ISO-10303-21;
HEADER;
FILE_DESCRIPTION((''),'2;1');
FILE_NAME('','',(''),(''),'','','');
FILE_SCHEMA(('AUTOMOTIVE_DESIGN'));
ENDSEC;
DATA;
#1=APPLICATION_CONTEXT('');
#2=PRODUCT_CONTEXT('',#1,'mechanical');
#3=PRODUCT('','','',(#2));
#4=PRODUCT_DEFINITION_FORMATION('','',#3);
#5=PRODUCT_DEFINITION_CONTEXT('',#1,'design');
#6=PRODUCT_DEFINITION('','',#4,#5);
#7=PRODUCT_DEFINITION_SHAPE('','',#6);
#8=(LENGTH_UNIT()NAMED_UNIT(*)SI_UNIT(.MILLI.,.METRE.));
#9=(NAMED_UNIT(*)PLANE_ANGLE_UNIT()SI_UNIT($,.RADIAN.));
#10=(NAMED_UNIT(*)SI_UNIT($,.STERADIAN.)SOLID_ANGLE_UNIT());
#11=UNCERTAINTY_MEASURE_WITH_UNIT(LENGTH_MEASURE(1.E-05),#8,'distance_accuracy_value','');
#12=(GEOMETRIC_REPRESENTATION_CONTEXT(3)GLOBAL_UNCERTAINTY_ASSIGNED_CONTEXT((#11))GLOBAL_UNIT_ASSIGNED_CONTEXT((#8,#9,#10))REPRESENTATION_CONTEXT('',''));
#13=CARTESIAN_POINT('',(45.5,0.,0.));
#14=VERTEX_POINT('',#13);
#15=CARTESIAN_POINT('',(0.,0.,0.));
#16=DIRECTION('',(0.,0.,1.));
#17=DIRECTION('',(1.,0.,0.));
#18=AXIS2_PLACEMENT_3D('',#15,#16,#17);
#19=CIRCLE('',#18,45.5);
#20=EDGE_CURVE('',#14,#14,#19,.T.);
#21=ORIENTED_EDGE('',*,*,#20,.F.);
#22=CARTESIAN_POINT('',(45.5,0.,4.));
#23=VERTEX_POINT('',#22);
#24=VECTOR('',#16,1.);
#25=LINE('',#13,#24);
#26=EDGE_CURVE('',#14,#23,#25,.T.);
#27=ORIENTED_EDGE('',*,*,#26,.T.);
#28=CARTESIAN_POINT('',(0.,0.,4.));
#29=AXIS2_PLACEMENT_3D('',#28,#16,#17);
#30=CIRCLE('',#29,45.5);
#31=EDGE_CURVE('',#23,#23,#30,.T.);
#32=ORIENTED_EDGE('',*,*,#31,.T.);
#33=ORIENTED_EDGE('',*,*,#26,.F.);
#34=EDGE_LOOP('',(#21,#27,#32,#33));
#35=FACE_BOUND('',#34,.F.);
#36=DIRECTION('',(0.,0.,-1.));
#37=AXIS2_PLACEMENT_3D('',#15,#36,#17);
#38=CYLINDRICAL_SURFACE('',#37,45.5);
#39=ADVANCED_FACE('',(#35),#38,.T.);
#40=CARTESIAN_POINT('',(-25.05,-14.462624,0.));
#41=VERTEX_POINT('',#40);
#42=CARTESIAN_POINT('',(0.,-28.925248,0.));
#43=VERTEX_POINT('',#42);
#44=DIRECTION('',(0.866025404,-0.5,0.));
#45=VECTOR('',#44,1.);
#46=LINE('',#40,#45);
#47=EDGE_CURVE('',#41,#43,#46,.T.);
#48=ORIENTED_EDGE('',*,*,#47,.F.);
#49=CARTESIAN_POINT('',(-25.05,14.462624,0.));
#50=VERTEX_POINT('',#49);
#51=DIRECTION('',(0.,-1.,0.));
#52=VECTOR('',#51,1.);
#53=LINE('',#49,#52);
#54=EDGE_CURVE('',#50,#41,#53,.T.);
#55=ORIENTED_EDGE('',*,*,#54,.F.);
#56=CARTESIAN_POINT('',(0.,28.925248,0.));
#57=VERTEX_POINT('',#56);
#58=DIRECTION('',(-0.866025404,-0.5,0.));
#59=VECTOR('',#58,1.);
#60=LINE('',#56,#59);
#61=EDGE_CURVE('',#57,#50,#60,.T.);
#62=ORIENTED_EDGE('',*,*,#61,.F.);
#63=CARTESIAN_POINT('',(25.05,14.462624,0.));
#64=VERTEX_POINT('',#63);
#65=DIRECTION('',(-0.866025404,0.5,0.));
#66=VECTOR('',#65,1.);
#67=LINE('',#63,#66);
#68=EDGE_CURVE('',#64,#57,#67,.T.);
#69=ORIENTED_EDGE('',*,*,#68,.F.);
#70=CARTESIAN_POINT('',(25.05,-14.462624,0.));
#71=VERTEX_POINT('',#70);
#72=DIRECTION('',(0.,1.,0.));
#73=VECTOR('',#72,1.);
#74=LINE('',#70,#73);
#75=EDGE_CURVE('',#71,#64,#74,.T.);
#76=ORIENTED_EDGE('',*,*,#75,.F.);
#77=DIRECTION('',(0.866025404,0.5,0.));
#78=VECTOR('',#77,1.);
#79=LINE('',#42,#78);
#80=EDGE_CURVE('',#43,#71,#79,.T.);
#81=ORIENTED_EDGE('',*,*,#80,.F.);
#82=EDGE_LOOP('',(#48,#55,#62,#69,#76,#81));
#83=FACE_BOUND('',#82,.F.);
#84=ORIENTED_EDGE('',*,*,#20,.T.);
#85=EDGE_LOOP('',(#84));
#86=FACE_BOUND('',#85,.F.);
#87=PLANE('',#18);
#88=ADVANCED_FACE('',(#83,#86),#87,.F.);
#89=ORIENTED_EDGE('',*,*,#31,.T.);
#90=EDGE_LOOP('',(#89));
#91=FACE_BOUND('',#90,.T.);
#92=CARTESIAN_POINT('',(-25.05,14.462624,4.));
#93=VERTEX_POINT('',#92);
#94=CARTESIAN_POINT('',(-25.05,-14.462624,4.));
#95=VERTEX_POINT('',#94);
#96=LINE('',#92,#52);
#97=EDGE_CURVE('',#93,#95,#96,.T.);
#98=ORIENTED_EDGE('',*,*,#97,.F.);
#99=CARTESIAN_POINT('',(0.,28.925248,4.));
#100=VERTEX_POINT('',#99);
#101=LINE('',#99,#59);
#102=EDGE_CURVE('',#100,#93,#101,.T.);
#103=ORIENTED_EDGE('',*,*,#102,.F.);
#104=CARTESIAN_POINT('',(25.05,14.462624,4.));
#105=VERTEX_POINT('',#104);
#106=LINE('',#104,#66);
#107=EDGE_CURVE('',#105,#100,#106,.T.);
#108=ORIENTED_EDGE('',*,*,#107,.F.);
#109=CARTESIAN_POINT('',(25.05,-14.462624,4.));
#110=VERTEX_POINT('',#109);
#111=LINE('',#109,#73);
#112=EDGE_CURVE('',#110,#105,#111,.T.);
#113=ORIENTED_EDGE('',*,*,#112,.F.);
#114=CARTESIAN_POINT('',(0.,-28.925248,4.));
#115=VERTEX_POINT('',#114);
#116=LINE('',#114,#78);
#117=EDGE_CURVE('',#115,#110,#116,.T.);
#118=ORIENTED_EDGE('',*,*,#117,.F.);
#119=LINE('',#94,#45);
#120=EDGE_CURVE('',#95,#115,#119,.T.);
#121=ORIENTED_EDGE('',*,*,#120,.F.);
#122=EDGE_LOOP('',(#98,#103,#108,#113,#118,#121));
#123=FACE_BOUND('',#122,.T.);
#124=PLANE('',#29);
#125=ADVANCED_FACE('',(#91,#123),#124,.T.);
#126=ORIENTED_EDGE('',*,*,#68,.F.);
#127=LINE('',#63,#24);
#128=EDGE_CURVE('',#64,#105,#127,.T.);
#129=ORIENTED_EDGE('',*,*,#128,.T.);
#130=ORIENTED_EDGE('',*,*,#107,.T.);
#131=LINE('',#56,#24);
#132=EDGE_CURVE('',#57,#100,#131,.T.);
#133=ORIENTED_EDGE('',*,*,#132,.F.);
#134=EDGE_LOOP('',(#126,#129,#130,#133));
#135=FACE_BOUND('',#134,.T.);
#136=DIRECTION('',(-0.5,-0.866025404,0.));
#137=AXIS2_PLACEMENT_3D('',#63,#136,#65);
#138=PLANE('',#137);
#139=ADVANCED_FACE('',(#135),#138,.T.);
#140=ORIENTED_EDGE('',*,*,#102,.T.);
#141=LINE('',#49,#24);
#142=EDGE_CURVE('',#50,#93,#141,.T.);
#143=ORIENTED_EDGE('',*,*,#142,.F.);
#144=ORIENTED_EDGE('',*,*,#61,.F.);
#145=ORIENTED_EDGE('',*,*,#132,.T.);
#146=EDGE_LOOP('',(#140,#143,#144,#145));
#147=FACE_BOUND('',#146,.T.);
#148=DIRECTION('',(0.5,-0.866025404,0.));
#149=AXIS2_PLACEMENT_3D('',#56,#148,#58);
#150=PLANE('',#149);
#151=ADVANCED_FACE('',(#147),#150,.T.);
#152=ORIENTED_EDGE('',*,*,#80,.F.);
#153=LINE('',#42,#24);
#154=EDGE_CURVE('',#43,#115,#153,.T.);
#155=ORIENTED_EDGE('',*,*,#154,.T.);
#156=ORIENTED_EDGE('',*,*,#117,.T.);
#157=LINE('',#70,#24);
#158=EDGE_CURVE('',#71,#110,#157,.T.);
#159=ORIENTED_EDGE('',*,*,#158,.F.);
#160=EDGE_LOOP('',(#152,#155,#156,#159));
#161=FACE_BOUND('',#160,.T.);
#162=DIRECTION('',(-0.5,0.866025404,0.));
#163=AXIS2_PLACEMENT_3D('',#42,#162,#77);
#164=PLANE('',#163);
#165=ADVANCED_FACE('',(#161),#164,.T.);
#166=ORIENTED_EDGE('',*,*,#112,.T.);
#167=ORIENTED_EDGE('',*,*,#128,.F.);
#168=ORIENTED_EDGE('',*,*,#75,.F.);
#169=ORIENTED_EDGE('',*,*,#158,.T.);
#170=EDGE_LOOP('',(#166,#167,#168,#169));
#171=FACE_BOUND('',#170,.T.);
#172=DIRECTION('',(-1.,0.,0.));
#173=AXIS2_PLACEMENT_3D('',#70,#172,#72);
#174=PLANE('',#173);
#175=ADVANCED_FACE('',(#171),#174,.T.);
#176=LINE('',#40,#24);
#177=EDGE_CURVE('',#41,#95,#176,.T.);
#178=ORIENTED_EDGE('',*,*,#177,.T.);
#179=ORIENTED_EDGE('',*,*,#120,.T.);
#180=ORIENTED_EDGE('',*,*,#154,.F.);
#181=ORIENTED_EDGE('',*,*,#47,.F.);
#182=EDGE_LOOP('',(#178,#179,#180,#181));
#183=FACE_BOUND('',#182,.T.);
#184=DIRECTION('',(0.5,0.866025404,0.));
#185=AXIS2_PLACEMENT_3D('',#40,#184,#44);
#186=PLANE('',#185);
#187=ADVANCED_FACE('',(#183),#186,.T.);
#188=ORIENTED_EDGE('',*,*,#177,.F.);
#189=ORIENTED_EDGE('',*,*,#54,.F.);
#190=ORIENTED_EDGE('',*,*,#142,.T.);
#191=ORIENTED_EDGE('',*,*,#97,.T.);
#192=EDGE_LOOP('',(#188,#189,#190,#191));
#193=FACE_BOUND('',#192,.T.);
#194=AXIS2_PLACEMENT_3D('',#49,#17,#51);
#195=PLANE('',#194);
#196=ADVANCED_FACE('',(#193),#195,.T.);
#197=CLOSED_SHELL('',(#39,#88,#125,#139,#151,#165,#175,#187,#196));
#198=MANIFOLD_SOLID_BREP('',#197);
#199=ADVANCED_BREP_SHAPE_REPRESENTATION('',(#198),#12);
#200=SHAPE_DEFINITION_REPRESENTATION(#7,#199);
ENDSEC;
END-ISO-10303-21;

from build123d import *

# Parameters (mm, degrees)
ESQUISSE1_R        = 45.5
BOSS_EXTRU_1_DEPTH = 4


with BuildPart() as part:
    # Esquisse1 → Boss.-Extru.1 (new body)
    with BuildSketch(Plane.XY):
        Circle(ESQUISSE1_R)
        Polygon((0, 28.925248486), (-25.05, 14.462624243), (-25.05, -14.462624243), (0, -28.925248486), (25.05, -14.462624243), (25.05, 14.462624243), align=None, mode=Mode.SUBTRACT)
    extrude(amount=BOSS_EXTRU_1_DEPTH)


solid = part.part
